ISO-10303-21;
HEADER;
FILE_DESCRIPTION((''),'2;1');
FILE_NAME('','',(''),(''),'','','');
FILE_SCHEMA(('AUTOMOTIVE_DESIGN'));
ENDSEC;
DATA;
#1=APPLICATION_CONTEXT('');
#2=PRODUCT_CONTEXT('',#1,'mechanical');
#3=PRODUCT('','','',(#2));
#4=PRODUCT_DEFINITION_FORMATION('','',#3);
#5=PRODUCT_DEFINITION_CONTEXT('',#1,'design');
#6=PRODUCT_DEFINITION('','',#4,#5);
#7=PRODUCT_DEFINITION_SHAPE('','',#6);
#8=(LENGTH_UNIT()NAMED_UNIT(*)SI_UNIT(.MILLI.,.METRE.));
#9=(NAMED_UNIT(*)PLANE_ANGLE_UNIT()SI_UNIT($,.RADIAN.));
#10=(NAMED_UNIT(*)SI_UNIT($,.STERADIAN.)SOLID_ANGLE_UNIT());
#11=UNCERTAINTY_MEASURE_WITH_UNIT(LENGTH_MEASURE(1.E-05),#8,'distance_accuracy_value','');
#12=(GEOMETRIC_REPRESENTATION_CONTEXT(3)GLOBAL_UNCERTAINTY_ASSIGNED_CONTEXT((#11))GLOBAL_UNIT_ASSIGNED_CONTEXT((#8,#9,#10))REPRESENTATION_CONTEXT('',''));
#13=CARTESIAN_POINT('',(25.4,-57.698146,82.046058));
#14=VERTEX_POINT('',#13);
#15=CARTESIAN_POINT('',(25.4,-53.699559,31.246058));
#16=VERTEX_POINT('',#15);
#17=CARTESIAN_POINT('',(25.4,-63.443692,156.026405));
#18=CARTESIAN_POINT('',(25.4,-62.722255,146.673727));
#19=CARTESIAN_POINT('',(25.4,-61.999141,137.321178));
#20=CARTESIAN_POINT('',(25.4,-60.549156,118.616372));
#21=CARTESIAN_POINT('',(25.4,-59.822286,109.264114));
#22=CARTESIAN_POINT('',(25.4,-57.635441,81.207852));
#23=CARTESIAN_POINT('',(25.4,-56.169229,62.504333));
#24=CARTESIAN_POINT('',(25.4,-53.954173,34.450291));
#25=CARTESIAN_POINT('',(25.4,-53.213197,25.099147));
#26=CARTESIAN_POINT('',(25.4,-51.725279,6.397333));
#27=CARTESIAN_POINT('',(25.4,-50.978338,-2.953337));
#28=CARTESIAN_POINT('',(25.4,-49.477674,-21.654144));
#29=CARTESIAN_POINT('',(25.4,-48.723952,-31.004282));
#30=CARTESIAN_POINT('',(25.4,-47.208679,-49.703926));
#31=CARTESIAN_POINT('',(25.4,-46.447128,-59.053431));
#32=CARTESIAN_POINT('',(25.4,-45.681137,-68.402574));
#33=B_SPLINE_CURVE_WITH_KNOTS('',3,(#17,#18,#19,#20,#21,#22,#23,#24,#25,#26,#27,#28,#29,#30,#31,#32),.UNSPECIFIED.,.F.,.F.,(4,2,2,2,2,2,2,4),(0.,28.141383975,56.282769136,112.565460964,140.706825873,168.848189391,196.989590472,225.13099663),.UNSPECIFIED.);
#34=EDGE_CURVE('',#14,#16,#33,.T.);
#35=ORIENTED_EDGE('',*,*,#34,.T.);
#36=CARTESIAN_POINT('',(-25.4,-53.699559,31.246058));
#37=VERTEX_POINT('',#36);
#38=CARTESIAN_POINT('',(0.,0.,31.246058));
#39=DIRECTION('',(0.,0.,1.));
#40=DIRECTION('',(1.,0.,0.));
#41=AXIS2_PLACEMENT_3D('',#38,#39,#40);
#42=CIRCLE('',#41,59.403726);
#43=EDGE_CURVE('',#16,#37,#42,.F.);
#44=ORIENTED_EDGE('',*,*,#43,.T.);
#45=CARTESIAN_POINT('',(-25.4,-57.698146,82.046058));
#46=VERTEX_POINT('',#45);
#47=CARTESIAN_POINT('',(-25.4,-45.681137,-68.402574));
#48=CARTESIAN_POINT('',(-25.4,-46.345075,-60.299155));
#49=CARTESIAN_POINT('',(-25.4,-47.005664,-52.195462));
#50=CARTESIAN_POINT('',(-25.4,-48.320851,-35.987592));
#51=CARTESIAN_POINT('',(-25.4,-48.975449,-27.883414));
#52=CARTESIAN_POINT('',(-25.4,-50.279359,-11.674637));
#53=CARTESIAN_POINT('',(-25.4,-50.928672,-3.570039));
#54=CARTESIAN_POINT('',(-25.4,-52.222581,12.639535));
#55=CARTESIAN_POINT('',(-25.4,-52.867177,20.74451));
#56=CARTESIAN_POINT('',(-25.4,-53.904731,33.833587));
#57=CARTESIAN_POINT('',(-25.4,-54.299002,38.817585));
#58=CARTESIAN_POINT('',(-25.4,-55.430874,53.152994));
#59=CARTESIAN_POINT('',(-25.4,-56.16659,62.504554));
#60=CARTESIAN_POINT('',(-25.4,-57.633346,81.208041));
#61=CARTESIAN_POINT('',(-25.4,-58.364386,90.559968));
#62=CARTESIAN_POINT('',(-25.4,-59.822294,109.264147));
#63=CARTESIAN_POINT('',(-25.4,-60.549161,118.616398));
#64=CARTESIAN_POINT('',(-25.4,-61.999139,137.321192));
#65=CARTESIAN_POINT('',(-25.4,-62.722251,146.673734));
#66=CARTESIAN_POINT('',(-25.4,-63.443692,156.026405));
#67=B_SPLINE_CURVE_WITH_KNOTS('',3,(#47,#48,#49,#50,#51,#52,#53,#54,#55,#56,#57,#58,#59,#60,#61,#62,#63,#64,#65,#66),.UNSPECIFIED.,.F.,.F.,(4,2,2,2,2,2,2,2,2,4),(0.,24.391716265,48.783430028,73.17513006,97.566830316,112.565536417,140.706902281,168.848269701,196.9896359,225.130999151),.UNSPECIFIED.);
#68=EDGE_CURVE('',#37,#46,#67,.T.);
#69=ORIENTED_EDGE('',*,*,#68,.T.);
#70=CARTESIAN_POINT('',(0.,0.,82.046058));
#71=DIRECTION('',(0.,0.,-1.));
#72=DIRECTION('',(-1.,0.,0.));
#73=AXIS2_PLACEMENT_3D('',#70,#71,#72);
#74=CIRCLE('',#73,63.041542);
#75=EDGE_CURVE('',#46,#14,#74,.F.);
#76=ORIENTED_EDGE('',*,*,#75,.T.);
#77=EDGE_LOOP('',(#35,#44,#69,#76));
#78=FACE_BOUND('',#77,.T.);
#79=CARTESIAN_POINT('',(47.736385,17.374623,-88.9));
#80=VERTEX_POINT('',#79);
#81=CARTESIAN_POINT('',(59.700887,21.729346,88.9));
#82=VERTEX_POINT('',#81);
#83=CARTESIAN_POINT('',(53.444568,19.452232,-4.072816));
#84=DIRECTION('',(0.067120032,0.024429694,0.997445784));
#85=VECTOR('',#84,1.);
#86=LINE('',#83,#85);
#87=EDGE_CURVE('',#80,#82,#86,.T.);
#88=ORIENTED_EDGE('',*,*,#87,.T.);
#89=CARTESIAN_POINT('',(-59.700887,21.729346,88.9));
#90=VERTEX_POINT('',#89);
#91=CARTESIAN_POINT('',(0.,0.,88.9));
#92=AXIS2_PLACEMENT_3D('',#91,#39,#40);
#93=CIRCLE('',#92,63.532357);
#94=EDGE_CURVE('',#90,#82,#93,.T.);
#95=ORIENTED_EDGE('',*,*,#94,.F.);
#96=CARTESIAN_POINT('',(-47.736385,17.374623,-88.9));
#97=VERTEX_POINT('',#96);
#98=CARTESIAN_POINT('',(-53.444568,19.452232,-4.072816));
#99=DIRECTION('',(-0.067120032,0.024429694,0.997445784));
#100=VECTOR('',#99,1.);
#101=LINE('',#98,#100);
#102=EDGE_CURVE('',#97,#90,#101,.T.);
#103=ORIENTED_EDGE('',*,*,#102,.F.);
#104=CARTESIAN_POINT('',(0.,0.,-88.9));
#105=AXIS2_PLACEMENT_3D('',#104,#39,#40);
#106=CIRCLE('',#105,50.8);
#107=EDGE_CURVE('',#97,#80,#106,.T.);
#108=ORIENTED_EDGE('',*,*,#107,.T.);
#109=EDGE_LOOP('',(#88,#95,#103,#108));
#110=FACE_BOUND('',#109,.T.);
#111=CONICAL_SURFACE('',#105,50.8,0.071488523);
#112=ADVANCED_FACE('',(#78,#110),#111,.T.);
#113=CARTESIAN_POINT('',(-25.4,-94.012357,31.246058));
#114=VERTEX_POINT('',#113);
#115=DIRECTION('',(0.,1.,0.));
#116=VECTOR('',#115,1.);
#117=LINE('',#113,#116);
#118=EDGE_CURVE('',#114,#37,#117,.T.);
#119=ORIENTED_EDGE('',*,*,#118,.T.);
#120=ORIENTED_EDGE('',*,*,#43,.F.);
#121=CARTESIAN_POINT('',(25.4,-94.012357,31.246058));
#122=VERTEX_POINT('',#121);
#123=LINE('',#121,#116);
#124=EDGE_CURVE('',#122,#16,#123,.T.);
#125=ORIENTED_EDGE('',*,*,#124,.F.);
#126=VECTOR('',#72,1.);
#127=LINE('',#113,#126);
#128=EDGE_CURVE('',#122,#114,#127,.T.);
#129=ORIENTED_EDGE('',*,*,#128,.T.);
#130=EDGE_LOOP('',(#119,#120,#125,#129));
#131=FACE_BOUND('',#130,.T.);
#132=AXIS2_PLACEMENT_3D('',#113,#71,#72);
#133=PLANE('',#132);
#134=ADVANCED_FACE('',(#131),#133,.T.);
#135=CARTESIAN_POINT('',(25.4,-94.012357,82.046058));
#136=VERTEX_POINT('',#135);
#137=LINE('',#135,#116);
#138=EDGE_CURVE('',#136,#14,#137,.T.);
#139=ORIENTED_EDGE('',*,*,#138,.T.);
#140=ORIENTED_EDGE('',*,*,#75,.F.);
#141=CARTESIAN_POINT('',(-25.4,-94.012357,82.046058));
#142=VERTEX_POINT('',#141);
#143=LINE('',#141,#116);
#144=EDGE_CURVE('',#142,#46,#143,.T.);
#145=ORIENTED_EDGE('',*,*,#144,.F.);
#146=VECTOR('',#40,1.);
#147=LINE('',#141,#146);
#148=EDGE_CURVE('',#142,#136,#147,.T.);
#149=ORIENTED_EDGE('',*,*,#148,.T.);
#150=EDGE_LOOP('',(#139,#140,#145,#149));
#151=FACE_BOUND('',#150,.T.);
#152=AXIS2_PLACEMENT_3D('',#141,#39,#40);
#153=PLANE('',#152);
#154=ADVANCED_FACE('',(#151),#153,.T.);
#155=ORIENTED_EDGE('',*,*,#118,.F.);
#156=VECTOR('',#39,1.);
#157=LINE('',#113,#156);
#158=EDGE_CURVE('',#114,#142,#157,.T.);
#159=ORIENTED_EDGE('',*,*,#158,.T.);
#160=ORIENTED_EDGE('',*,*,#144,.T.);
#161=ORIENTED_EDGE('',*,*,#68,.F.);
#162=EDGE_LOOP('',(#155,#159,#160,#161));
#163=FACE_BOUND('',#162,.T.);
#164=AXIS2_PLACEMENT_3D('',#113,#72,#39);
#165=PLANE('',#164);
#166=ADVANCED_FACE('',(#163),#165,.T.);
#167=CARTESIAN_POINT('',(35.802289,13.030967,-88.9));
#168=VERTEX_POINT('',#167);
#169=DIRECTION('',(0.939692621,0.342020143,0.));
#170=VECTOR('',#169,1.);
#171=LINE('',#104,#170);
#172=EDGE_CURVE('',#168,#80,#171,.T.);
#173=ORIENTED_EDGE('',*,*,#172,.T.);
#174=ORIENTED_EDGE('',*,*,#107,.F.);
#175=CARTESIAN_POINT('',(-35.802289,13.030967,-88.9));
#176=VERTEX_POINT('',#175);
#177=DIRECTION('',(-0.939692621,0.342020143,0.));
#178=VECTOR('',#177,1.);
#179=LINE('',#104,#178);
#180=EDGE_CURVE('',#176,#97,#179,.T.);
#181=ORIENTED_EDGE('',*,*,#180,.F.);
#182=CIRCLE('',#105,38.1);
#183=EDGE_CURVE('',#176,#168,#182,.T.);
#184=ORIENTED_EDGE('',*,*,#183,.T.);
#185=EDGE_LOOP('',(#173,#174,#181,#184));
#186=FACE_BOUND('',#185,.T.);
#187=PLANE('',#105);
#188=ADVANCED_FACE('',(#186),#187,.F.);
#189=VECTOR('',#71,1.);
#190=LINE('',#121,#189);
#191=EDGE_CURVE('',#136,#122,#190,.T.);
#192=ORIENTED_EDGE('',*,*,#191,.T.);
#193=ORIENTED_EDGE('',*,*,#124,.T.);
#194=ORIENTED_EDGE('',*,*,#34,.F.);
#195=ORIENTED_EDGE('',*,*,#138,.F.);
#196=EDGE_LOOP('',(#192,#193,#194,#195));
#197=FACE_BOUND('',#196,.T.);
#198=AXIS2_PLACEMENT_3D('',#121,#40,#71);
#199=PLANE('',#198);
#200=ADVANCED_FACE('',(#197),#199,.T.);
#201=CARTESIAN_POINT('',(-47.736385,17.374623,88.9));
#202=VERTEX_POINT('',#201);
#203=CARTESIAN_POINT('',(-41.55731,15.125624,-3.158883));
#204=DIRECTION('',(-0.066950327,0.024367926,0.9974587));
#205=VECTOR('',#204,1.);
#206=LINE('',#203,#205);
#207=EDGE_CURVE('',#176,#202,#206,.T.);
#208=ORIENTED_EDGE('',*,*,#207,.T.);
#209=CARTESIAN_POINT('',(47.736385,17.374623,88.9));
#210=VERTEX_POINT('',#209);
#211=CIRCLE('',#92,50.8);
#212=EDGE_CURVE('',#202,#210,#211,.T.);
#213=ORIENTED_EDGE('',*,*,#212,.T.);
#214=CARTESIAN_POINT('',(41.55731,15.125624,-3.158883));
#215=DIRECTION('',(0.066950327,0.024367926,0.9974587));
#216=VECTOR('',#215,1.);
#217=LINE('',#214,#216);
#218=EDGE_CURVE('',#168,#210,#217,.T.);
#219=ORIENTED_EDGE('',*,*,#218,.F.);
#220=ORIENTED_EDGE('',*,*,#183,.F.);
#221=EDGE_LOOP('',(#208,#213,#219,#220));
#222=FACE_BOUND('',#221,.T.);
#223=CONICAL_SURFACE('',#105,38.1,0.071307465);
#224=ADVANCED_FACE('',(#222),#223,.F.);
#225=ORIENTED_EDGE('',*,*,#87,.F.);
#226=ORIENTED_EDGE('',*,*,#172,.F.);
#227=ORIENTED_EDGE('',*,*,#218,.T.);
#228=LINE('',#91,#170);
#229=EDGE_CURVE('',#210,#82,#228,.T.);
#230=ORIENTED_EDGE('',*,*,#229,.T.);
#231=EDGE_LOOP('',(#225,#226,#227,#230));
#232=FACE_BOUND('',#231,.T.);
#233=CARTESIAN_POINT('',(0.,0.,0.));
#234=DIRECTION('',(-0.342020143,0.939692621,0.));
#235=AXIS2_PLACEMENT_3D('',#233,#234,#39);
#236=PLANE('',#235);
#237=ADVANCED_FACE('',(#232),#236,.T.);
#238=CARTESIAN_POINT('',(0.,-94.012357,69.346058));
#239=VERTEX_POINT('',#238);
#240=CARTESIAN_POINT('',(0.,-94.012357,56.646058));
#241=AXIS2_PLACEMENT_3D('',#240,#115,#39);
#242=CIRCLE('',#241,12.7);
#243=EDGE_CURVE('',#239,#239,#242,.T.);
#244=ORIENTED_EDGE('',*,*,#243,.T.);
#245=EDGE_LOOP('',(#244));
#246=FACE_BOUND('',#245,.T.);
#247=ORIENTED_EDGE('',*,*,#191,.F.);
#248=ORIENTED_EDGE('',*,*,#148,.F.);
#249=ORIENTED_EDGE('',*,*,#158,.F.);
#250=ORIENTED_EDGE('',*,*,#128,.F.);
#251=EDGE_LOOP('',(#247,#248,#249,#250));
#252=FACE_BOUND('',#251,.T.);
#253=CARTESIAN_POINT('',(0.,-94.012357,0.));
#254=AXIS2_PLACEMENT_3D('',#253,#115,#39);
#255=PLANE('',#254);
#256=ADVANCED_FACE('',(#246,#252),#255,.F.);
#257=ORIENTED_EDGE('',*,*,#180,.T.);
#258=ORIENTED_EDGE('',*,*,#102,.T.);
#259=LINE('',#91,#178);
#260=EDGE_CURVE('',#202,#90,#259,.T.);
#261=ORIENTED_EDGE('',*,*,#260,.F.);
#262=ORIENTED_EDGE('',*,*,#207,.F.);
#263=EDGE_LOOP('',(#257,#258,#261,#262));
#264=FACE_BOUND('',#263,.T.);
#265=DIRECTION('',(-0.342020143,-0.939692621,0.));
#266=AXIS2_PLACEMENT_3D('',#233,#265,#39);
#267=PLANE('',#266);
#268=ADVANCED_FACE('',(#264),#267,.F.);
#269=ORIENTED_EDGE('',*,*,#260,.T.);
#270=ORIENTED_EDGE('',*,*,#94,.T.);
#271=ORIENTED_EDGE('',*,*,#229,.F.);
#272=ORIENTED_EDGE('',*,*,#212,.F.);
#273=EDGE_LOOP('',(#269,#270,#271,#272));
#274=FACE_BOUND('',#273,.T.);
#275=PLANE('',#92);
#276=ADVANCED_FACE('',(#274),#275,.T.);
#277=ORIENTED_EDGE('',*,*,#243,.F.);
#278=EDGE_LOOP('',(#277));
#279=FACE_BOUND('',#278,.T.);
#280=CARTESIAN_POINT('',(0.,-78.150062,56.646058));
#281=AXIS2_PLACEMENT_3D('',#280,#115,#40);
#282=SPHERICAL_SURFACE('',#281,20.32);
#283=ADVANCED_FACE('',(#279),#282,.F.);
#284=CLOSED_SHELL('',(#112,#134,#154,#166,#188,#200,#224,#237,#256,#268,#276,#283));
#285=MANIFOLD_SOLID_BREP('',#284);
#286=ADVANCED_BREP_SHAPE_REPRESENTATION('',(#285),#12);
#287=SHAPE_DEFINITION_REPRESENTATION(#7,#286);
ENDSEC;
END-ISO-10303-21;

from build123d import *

# Parameters (mm, degrees)
REVOLVE1_ANGLE                  = 200
REVOLVE1_OTHER_WAY_ANGLE        = 20
BOSS_EXTRUDE1_REACH             = 140.597
SKETCH2_W                       = 50.8
SKETCH2_H                       = 50.8
BOSS_EXTRUDE1_DIRECTION_2_DEPTH = 30.48


with BuildPart() as part:
    # Sketch1 → Revolve1 (revolve)
    with BuildSketch(Plane(origin=(0, 0, 0), x_dir=(1, 0, 0), z_dir=(0, 1, 0))):
        Polygon((50.8, 88.9), (63.53235674, -88.9), (50.8, -88.9), (38.1, 88.9), align=None)
    revolve(axis=Axis((0, 0, 0), (0, 0, -1)), revolution_arc=REVOLVE1_ANGLE)

    # Sketch1 → Revolve1 other way (revolve)
    with BuildSketch(Plane(origin=(0, 0, 0), x_dir=(1, 0, 0), z_dir=(0, 1, 0))):
        Polygon((50.8, 88.9), (63.53235674, -88.9), (50.8, -88.9), (38.1, 88.9), align=None)
    revolve(axis=Axis((0, 0, 0), (0, 0, 1)), revolution_arc=REVOLVE1_OTHER_WAY_ANGLE)

    # Boss-Extrude1: up to this cone (the profile starts outside it)
    boss_extrude1_end = Plane(origin=(0, 0, 56.646058), z_dir=(0, 0, 1)) * Cone(46.734412691, 75.710855393, 404.639268083, mode=Mode.PRIVATE)
    # Sketch2 → Boss-Extrude1 (add, up to the surface)
    with BuildSketch(Plane(origin=(0, -63.53235674, 0), x_dir=(1, 0, 0), z_dir=(0, 1, 0)), mode=Mode.PRIVATE) as boss_extrude1_sk1:
        with Locations((0, -56.646058408)):
            Rectangle(SKETCH2_W, SKETCH2_H)
    boss_extrude1_tool1 = extrude(boss_extrude1_sk1.sketch, amount=BOSS_EXTRUDE1_REACH, mode=Mode.PRIVATE) - boss_extrude1_end
    add(boss_extrude1_tool1.solids().sort_by_distance((0, -63.532357, 56.646058))[0])

    # Sketch2 → Boss-Extrude1 direction 2 (add)
    with BuildSketch(Plane(origin=(0, -63.53235674, 0), x_dir=(1, 0, 0), z_dir=(0, 1, 0))):
        with Locations((0, -56.646058408)):
            Rectangle(SKETCH2_W, SKETCH2_H)
    extrude(amount=-BOSS_EXTRUDE1_DIRECTION_2_DEPTH)

    # Sketch3 → Cut-Revolve2 (revolve, cut)
    with BuildSketch(Plane.XY.offset(56.646058408)):
        with BuildLine():
            Line((0, -57.830061824), (0, -98.470061824))
            ThreePointArc((0, -98.470061824), (-20.32, -78.150061824), (0, -57.830061824))
        make_face()
    revolve(axis=Axis((0, -78.150061824, 56.646058408), (0, -1, 0)), mode=Mode.SUBTRACT)


solid = part.part
